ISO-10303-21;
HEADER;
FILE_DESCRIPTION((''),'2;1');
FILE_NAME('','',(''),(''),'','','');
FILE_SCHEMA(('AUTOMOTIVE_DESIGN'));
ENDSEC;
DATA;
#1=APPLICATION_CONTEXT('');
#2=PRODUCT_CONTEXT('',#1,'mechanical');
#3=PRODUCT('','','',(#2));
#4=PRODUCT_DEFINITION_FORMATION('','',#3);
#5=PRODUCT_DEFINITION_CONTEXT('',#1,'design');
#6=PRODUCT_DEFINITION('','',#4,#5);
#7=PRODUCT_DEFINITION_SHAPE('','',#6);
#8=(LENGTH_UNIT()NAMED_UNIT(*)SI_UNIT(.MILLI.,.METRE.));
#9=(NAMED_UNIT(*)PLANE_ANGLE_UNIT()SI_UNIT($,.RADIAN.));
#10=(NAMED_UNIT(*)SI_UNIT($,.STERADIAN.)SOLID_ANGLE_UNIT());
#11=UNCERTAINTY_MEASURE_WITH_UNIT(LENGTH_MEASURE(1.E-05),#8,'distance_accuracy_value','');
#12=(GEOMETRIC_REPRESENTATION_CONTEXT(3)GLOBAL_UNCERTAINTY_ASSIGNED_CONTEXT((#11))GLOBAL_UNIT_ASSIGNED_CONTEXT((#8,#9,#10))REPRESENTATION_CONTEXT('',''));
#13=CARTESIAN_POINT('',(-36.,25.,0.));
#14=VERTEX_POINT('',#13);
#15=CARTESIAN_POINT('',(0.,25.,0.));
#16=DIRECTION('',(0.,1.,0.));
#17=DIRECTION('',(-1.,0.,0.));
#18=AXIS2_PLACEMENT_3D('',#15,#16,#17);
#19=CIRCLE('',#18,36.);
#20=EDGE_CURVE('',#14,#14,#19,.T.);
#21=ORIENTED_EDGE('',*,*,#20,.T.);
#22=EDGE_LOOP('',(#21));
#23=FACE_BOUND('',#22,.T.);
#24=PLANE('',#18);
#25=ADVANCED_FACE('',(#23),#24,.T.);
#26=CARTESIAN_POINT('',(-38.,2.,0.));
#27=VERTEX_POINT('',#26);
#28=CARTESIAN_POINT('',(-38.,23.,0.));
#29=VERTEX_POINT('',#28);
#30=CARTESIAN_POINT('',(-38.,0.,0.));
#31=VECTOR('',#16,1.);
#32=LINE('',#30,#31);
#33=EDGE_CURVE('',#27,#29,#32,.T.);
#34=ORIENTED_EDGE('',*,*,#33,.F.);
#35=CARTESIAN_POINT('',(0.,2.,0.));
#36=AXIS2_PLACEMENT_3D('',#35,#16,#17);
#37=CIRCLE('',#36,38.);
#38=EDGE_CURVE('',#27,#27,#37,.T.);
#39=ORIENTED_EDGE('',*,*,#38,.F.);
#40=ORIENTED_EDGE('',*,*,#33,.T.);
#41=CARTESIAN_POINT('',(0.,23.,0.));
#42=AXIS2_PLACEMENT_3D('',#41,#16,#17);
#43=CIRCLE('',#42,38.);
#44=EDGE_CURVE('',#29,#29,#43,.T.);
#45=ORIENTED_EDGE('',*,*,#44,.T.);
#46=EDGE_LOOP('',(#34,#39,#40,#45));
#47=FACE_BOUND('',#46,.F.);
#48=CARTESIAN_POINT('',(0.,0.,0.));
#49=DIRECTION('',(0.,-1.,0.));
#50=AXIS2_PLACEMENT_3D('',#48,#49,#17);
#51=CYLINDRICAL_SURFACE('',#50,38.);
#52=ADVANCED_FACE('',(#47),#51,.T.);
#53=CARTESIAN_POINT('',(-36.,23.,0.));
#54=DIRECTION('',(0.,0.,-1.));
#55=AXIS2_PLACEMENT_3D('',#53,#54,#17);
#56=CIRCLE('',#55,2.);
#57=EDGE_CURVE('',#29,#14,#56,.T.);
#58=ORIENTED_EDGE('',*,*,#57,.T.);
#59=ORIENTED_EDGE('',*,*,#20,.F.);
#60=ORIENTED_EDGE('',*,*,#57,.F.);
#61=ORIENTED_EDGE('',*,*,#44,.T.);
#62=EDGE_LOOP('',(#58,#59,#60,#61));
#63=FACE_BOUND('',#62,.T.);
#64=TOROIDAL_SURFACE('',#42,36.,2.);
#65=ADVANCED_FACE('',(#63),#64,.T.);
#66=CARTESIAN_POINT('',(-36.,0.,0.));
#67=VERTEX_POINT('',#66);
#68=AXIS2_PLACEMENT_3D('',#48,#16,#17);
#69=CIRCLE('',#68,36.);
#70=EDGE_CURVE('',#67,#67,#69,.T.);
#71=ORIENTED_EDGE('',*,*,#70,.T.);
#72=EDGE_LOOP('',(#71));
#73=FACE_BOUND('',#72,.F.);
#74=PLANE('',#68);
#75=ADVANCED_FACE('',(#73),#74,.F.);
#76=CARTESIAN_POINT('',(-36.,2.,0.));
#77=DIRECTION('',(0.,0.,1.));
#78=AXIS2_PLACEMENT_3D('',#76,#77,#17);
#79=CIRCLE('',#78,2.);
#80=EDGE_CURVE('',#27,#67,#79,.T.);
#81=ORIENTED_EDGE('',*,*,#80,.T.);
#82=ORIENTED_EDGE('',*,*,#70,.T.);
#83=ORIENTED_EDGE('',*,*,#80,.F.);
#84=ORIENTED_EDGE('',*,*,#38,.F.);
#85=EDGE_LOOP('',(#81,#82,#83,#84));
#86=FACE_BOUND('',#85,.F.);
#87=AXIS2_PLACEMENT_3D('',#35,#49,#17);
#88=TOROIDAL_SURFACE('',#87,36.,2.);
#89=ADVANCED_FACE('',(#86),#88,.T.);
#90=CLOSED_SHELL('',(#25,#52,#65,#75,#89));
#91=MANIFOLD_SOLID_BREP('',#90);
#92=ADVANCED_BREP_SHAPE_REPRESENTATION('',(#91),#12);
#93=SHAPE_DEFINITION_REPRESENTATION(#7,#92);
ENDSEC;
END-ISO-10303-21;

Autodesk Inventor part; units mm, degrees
ref_plane "YZ Plane" through (0, 0, 0) normal (1, 0, 0) x (0, 1, 0)
ref_plane "XZ Plane" through (0, 0, 0) normal (0, 1, 0) x (-1, 0, 0)
ref_plane "XY Plane" through (0, 0, 0) normal (0, 0, 1) x (1, 0, 0)
sketch "Esquisse1" plane through (0, 0, 0) normal (0, 1, 0) x (-1, 0, 0)
  circle A0 centre (0, 0) radius 38
  dimension "d0" = 76
extrude "Extrusion1" add sketch "Esquisse1" along normal blind 25
fillet "Congé1" radius 2 1 edges at (38, 25, 0)
fillet "Congé2" radius 2 1 edges at (38, 0, 0)
properties part number "palet"
